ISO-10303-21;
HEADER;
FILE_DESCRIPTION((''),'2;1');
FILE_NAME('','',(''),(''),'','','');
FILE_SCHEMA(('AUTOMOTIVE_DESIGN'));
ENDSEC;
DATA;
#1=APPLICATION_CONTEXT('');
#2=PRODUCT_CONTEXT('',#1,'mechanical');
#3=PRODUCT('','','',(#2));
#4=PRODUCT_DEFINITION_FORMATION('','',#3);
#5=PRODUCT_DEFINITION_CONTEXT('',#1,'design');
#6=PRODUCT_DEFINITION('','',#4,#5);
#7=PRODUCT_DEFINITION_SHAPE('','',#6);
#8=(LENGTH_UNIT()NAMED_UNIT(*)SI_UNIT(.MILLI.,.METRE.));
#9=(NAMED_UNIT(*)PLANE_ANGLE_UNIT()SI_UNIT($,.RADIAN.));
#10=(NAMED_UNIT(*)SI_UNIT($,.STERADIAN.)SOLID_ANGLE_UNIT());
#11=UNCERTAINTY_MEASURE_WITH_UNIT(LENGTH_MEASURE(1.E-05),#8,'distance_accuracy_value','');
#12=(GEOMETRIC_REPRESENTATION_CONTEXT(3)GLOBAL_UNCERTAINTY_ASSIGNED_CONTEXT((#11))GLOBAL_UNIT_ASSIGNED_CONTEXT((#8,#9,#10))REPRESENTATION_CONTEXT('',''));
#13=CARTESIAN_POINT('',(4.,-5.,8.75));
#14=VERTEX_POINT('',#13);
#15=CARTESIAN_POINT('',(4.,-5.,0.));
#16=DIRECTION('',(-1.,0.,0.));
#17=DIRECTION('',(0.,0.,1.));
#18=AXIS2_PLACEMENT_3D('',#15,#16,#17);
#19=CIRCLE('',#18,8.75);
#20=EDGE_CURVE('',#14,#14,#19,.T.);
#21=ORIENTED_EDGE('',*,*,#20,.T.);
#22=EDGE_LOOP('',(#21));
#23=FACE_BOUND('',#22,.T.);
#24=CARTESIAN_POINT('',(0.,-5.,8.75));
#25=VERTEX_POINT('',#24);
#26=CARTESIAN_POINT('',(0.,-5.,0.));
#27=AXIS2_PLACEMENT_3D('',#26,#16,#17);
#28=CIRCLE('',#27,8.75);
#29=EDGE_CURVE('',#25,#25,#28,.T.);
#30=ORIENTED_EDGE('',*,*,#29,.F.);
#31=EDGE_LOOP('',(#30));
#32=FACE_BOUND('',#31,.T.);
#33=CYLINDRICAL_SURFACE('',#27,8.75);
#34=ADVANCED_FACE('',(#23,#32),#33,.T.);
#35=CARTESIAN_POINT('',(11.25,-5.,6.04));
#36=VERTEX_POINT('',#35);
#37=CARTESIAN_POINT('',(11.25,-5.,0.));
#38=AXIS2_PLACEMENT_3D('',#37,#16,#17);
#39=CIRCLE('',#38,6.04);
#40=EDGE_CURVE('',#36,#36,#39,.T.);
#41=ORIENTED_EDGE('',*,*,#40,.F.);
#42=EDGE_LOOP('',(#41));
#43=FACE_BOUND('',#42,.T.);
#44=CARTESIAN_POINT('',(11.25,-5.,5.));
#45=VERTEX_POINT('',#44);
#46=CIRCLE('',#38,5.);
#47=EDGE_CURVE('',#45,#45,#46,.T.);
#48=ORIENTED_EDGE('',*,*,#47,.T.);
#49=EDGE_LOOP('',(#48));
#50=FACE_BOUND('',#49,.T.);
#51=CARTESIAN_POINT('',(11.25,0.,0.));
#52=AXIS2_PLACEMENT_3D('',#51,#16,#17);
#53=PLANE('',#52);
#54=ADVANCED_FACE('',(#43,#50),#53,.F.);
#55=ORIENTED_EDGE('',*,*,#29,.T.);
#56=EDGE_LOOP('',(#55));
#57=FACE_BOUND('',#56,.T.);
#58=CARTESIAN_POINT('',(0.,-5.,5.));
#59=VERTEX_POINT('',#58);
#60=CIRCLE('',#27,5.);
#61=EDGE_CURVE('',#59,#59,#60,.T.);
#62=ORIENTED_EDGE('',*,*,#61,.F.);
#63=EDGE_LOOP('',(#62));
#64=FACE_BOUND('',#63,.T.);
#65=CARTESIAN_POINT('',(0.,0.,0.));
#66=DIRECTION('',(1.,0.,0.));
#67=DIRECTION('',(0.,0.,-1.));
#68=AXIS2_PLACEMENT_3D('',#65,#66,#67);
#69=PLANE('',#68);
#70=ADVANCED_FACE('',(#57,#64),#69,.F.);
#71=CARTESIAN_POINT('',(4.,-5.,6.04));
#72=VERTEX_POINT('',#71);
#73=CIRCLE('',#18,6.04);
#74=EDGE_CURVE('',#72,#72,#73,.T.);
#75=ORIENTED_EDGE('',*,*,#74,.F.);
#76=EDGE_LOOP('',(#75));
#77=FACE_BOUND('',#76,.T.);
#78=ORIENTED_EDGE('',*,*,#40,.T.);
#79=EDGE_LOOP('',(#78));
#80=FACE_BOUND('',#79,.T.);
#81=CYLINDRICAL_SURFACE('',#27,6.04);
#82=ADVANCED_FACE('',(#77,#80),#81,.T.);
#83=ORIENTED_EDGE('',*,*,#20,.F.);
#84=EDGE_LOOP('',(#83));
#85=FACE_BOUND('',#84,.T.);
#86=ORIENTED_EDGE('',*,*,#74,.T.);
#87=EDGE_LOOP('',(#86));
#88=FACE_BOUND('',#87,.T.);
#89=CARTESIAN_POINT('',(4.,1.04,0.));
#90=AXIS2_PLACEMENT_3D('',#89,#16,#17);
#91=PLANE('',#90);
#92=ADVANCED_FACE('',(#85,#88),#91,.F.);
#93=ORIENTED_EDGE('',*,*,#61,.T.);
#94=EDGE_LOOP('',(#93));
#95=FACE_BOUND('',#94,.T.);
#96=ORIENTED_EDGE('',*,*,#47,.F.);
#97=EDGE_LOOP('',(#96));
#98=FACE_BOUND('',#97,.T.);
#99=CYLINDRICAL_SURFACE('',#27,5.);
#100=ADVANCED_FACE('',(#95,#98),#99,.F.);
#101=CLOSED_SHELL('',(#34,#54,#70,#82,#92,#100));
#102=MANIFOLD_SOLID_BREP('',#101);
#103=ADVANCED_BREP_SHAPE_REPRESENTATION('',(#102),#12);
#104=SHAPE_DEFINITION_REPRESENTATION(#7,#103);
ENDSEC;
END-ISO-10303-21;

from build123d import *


with BuildPart() as part:
    # Esquisse1 → Révolution1 (revolve)
    with BuildSketch(Plane.XY, mode=Mode.PRIVATE) as r_volution1_sk:
        Polygon((0, 0), (0, 3.75), (4, 3.75), (4, 1.04), (11.25, 1.04), (11.25, 0), align=None)
    revolve(r_volution1_sk.sketch.rotate(Axis((0, -5, 0), (1, 0, 0)), 90), axis=Axis((0, -5, 0), (1, 0, 0)))  # turned: the seam where the file's is


solid = part.part
